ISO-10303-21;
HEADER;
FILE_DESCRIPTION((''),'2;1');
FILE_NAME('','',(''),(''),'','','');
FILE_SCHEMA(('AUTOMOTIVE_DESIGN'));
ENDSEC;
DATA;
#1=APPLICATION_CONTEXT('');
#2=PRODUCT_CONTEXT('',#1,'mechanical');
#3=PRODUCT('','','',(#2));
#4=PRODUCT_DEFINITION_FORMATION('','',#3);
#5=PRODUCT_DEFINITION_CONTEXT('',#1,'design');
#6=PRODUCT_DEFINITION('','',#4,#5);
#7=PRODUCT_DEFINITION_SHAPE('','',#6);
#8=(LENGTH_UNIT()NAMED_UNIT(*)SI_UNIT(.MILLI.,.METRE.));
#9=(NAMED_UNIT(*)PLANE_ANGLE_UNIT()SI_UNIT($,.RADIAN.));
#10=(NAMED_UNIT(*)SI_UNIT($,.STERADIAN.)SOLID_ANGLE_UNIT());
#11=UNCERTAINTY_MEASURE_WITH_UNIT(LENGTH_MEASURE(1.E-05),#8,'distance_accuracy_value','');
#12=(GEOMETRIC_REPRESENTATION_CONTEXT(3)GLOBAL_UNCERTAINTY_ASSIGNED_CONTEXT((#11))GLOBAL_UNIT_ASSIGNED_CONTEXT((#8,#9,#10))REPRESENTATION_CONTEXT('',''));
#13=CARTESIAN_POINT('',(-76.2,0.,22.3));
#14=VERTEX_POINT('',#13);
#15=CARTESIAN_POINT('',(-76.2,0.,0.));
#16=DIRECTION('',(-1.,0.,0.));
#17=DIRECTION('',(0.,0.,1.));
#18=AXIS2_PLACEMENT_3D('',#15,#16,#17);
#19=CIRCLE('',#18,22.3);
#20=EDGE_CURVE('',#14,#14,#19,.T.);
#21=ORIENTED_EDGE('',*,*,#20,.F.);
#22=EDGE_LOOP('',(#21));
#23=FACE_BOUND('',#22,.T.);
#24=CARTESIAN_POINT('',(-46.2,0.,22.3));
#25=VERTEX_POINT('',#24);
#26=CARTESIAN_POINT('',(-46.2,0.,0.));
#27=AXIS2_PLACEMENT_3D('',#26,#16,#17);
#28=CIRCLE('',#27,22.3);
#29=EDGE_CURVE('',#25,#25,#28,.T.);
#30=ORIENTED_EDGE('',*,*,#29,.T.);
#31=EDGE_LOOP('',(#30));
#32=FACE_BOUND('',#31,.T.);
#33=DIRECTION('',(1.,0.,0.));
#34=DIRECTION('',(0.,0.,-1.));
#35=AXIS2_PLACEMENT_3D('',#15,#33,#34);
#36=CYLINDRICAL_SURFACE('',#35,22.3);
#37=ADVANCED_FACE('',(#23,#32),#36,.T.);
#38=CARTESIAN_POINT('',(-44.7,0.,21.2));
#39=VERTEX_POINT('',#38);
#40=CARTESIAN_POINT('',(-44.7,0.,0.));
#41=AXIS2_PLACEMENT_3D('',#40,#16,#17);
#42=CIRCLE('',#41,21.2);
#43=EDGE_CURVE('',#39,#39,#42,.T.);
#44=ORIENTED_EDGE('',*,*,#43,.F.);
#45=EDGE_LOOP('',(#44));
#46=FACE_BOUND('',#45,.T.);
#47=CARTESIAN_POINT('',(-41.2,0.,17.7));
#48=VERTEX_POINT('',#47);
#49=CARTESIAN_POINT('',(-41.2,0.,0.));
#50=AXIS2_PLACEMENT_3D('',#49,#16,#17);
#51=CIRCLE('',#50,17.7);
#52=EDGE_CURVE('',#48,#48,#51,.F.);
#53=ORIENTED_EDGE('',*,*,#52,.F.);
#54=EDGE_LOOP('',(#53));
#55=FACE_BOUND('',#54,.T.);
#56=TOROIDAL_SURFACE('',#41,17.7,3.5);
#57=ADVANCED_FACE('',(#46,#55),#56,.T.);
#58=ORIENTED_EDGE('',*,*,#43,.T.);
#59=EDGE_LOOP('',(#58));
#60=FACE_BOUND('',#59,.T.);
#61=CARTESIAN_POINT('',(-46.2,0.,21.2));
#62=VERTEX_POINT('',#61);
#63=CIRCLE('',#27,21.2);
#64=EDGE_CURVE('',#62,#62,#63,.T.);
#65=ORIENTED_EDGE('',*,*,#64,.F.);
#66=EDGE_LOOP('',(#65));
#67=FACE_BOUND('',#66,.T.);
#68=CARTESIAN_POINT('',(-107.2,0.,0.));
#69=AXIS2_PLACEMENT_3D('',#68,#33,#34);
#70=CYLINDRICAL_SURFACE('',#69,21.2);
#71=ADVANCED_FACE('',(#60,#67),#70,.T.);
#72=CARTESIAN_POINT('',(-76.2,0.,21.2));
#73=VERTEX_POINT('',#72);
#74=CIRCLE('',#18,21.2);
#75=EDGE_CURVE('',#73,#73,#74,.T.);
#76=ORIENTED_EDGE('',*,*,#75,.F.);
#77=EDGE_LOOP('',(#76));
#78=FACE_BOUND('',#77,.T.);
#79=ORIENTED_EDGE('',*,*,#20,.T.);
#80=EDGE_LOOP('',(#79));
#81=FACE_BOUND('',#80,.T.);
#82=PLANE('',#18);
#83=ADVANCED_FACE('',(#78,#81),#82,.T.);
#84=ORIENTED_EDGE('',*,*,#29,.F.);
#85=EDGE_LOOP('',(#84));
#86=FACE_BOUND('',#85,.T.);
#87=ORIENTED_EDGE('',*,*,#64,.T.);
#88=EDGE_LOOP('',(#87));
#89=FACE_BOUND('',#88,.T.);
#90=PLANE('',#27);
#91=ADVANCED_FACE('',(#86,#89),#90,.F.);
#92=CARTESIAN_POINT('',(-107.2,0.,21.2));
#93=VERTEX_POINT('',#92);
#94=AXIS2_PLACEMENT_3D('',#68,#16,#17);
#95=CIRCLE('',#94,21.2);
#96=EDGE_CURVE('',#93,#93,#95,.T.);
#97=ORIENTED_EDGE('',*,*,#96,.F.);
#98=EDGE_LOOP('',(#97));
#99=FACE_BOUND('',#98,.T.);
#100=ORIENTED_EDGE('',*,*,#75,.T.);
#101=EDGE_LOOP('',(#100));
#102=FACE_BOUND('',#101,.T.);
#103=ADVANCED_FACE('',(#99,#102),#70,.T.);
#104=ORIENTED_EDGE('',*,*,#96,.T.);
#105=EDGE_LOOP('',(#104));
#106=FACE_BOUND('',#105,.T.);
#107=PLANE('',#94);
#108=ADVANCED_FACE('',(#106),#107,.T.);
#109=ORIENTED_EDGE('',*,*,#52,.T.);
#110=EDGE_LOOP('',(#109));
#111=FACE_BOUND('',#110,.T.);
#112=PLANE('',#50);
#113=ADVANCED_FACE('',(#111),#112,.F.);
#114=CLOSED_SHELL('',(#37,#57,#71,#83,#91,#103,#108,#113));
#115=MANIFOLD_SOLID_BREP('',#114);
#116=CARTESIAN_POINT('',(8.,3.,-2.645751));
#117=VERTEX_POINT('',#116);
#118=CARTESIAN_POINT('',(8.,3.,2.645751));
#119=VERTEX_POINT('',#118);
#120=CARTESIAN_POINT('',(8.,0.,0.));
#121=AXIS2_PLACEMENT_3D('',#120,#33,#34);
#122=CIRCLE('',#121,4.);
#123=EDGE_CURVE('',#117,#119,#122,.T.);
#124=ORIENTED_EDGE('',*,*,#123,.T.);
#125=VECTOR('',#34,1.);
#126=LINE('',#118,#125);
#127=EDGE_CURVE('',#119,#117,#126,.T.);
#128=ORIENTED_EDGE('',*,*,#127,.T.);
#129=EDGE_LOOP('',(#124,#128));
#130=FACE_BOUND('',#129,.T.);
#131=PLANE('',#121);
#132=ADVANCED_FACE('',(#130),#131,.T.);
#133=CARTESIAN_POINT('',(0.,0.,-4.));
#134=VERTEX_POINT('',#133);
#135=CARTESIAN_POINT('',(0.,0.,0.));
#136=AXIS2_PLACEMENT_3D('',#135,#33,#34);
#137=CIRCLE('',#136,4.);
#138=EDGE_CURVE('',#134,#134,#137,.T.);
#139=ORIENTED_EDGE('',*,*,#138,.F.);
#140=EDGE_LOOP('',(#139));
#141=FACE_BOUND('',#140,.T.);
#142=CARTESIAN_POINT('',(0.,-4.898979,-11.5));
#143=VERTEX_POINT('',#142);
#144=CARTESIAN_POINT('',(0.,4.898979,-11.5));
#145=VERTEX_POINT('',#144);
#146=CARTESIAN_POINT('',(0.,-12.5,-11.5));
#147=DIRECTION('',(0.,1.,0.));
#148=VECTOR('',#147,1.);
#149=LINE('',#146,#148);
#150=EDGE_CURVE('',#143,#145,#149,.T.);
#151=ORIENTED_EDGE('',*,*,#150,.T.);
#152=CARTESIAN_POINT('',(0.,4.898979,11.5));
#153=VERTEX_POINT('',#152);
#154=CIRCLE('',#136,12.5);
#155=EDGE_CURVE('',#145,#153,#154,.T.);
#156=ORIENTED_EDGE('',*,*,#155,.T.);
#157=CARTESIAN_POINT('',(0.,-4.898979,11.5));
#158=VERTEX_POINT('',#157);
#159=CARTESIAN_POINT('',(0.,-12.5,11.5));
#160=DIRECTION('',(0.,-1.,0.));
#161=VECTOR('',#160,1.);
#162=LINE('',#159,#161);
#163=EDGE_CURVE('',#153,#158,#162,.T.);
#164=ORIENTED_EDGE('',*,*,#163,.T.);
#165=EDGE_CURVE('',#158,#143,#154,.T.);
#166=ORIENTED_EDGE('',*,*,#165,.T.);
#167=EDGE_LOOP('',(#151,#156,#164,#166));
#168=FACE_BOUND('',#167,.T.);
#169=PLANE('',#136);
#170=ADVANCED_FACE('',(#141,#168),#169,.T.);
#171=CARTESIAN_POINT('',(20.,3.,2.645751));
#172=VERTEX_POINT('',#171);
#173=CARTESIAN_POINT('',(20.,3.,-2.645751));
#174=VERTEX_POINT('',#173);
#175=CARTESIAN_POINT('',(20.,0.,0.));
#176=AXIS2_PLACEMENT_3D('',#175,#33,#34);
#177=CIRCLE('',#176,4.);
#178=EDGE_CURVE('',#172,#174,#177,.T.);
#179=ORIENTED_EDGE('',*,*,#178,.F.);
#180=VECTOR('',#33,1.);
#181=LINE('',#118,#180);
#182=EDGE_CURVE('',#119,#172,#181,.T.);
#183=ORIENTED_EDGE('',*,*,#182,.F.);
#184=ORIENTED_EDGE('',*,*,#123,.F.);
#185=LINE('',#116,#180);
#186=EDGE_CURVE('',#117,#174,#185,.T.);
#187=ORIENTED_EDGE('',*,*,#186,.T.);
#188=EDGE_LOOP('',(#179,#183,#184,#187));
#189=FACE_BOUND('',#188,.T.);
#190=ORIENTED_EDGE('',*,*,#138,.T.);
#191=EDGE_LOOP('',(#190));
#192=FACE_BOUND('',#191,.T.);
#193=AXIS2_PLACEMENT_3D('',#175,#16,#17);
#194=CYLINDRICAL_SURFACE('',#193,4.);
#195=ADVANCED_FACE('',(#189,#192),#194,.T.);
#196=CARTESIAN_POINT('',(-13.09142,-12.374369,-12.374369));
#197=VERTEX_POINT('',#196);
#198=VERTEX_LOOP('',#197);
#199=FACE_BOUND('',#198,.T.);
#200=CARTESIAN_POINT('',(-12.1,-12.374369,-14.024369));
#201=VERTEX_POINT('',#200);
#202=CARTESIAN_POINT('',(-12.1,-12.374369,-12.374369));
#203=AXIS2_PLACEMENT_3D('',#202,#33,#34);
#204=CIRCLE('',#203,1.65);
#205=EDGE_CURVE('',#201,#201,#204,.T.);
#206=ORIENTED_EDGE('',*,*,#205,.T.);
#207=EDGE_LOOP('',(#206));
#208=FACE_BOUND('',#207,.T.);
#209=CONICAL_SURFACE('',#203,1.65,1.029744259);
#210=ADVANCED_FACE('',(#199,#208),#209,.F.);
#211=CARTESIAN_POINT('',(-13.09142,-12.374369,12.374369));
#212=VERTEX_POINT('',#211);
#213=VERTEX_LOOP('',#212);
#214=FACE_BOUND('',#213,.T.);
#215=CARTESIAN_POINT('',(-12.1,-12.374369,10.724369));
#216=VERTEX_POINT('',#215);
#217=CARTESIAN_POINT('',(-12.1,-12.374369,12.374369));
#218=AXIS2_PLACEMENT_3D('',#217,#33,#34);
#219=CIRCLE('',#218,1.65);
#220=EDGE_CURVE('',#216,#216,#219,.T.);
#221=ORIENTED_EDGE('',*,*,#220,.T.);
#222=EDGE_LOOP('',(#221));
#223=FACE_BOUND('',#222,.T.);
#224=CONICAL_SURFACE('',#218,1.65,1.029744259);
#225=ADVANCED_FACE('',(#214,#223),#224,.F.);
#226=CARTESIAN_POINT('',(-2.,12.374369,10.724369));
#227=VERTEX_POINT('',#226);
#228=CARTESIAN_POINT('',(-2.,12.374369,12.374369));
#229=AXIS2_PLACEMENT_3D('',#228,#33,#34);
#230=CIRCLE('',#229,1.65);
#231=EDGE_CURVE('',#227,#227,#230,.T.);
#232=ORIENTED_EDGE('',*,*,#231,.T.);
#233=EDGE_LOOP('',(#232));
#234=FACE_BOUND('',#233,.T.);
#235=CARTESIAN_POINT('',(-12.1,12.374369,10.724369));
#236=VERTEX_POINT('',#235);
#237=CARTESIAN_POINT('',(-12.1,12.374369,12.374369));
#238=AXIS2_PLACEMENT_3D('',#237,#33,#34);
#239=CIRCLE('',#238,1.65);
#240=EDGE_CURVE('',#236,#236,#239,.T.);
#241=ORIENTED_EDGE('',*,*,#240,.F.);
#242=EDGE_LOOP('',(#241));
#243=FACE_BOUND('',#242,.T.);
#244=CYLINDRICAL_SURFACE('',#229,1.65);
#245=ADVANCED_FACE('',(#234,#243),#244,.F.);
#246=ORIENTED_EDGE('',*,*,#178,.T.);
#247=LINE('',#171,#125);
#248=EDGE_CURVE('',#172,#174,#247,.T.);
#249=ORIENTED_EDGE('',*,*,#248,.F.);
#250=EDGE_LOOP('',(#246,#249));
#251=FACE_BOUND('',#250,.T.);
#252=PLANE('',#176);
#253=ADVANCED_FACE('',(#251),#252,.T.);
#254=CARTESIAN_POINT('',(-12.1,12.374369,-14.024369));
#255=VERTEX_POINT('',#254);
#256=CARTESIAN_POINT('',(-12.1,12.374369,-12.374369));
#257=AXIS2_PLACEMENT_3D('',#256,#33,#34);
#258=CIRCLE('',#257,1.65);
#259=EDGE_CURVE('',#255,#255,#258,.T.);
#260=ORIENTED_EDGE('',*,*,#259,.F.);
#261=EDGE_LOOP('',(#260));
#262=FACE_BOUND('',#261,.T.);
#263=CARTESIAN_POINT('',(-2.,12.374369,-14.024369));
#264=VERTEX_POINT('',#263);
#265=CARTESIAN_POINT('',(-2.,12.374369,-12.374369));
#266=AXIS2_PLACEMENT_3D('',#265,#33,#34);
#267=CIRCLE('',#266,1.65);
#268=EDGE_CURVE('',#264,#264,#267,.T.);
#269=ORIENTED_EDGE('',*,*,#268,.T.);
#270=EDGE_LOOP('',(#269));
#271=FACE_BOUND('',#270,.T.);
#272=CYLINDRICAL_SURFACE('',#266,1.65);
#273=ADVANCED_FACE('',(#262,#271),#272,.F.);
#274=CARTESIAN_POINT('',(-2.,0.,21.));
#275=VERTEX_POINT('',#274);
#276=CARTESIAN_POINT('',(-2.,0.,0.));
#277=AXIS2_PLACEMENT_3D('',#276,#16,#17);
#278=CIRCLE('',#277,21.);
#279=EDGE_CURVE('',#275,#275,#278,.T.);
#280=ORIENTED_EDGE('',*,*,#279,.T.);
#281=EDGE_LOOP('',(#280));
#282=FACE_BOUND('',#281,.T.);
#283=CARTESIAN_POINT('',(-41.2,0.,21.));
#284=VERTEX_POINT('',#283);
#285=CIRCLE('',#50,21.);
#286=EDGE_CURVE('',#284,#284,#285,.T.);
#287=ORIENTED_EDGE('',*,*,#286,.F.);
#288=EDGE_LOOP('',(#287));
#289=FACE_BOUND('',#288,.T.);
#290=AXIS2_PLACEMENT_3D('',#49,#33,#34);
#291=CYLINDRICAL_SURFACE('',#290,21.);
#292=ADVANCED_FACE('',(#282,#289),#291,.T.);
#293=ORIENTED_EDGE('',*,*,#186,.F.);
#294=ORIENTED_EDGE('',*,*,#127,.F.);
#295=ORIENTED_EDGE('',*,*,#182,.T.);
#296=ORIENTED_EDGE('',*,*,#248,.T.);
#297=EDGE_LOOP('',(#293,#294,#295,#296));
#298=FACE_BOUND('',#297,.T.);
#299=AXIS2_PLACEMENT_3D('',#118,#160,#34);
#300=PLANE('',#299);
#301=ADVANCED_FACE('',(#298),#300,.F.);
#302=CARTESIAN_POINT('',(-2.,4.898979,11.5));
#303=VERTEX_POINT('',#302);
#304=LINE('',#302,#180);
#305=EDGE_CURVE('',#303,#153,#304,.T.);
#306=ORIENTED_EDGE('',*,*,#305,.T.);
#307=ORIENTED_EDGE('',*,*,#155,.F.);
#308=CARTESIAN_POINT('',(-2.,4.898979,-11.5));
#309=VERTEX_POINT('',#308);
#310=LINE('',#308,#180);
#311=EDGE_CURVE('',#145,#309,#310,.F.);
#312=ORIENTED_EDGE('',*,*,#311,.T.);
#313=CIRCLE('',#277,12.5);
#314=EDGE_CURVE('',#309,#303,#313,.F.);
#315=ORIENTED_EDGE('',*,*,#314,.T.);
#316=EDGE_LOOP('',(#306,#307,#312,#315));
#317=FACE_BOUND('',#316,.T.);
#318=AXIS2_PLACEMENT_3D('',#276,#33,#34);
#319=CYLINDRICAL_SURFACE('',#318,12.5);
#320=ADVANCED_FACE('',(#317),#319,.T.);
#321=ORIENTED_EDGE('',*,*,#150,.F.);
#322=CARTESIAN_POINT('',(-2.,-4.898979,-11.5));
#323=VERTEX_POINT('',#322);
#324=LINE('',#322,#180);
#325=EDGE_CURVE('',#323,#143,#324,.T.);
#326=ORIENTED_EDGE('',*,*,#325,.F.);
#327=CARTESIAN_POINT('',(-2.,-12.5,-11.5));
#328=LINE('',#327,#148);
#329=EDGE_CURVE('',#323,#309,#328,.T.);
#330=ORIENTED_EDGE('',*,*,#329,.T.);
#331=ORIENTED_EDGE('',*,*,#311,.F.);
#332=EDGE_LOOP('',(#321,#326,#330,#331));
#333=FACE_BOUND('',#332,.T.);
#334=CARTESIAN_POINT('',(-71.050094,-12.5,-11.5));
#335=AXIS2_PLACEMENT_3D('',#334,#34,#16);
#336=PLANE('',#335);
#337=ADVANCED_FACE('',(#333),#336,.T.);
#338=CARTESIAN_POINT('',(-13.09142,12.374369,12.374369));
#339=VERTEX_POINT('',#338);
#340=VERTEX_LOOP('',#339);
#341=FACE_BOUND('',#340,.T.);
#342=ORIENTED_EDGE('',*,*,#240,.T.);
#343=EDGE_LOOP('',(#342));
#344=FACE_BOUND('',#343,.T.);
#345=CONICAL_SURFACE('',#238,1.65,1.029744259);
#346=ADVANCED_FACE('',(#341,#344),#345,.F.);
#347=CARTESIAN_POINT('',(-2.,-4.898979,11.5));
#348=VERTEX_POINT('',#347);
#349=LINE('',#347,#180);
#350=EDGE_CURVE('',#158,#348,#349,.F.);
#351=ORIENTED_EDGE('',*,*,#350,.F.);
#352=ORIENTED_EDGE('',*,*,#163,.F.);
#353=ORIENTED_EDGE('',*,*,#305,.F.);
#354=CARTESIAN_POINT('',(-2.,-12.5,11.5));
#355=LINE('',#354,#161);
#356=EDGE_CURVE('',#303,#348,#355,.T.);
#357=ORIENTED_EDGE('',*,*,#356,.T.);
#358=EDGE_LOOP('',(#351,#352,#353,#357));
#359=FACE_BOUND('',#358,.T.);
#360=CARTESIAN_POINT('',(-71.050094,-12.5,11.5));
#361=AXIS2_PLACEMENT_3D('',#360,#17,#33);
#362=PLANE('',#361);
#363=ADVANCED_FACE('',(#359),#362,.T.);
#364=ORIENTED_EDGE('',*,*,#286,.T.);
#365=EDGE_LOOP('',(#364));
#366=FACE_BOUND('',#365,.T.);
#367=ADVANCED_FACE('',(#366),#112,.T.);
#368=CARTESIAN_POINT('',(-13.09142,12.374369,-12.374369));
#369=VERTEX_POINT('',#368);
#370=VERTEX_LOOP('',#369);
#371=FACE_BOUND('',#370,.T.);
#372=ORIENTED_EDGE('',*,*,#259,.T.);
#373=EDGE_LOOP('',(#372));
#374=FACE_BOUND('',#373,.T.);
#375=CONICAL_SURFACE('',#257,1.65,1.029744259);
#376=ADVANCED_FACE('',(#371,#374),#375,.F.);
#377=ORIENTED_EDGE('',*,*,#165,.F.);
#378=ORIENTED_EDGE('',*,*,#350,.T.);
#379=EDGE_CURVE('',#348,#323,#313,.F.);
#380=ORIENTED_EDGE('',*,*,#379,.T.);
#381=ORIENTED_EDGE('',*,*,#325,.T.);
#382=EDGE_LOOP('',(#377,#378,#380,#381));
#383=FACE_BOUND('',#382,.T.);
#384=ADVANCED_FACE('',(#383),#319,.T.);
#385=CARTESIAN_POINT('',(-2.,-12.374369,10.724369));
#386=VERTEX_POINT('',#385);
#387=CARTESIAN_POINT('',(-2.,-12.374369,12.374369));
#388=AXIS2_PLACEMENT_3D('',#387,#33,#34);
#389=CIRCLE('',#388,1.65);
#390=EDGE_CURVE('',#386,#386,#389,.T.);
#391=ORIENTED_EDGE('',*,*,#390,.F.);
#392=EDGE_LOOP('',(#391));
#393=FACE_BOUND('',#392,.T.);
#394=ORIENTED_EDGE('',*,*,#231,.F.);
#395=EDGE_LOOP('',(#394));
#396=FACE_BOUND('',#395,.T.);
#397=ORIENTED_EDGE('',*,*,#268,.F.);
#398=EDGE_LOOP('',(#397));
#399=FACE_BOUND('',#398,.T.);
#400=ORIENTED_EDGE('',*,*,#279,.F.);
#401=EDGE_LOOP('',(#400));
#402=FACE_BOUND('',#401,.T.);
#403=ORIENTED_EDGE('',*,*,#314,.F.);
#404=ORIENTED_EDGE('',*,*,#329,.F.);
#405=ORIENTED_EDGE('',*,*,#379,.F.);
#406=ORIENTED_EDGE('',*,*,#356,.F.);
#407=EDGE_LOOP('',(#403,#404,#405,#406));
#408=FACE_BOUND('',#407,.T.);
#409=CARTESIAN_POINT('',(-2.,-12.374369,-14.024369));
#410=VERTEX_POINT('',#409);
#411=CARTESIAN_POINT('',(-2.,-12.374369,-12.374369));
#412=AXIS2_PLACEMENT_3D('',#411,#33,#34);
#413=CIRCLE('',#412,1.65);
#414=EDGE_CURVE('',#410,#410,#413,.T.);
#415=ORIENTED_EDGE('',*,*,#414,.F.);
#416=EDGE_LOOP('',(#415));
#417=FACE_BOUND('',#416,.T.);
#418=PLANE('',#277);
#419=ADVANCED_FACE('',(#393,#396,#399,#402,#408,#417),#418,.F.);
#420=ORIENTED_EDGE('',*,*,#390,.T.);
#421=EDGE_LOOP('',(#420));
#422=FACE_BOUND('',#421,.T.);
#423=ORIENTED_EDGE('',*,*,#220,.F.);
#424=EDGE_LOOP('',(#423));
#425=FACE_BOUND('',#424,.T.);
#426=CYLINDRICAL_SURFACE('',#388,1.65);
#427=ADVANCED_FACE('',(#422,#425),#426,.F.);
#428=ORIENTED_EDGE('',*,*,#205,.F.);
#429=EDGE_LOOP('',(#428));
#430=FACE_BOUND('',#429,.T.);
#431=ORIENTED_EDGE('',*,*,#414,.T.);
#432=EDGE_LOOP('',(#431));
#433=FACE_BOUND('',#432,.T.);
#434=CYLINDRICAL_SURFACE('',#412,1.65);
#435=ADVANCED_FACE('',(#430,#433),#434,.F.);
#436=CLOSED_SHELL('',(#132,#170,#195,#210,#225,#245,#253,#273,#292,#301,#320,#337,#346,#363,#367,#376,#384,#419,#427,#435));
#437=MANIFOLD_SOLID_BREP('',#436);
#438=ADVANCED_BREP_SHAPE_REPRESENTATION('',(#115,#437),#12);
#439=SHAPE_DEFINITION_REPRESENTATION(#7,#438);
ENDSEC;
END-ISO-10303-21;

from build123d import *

# Parameters (mm, degrees)
SKETCH1_R                = 12.5
BOSS_EXTRUDE1_DEPTH      = 2
SKETCH3_R                = 21
BOSS_EXTRUDE2_DEPTH      = 39.2
SKETCH5_R                = 21.2
BOSS_EXTRUDE3_DEPTH      = 66
FILLET1_R                = 3.5
BOSS_EXTRUDE4_START      = 5
SKETCH4_R                = 22.3
BOSS_EXTRUDE4_DEPTH      = 30
SKETCH6_R                = 4
BOSS_EXTRUDE5_DEPTH      = 20
SKETCH7_W                = 5.291502622
SKETCH7_H                = 2
CUT_EXTRUDE1_DEPTH       = 12
M4X0_7_M4X6DP_AT_2_COUNT = 2
M4X0_7_M4X6DP_AT_2_PITCH = 24.748737342
M4X0_7_M4X6DP_AT_3_COUNT = 2
M4X0_7_M4X6DP_AT_3_PITCH = 35
M4X0_7_M4X6DP_AT_4_COUNT = 2
M4X0_7_M4X6DP_AT_4_PITCH = 24.748737342
SKETCH11_OUTSIDE_W       = 74.996
SKETCH11_OUTSIDE_H       = 74.996
SKETCH11_OUTSIDE_W_2     = 23
SKETCH11_OUTSIDE_H_2     = 25
CUT_EXTRUDE2_DEPTH       = 2


with BuildPart() as part:
    # Sketch1 → Boss-Extrude1 (new body)
    with BuildSketch(Plane(origin=(0, 0, 0), x_dir=(0, 0, -1), z_dir=(1, 0, 0))):
        Circle(SKETCH1_R)
    extrude(amount=-BOSS_EXTRUDE1_DEPTH)

    # Sketch3 → Boss-Extrude2 (add)
    with BuildSketch(Plane.ZY.offset(2)):
        Circle(SKETCH3_R)
    extrude(amount=BOSS_EXTRUDE2_DEPTH)

    # Sketch6 → Boss-Extrude5 (add)
    with BuildSketch(Plane(origin=(0, 0, 0), x_dir=(0, 0, -1), z_dir=(1, 0, 0))):
        Circle(SKETCH6_R)
    extrude(amount=BOSS_EXTRUDE5_DEPTH)

    # Sketch7 → Cut-Extrude1 (cut)
    with BuildSketch(Plane(origin=(20, 0, 0), x_dir=(0, 0, -1), z_dir=(1, 0, 0))):
        with Locations((0, 4)):
            Rectangle(SKETCH7_W, SKETCH7_H)
    extrude(amount=-CUT_EXTRUDE1_DEPTH, mode=Mode.SUBTRACT)

    # Sketch10 → M4x0.7 "M4x6DP" (revolve, cut)
    with BuildSketch(Plane(origin=(-2, 12.374368671, 12.374368671), x_dir=(0, 0, -1), z_dir=(0, 1, 0))):
        Polygon((0, 0), (0, 11.091420021), (1.65, 10.1), (1.65, 0), align=None)
    m4x0_7_m4x6dp = revolve(axis=Axis((4.35, 12.374368671, 12.374368671), (-1, 0, 0)), mode=Mode.SUBTRACT)

    # M4x0.7 "M4x6DP" at 2: M4x0.7 "M4x6DP" ×2
    with Locations(*[(0, 0, -i * M4X0_7_M4X6DP_AT_2_PITCH) for i in range(1, M4X0_7_M4X6DP_AT_2_COUNT)]):
        add(m4x0_7_m4x6dp, mode=Mode.SUBTRACT)

    # M4x0.7 "M4x6DP" at 3: M4x0.7 "M4x6DP" ×2
    with Locations(*[Vector(0, -0.7071067811865476, -0.7071067811865476) * (i * M4X0_7_M4X6DP_AT_3_PITCH) for i in range(1, M4X0_7_M4X6DP_AT_3_COUNT)]):
        add(m4x0_7_m4x6dp, mode=Mode.SUBTRACT)

    # M4x0.7 "M4x6DP" at 4: M4x0.7 "M4x6DP" ×2
    with Locations(*[(0, -i * M4X0_7_M4X6DP_AT_4_PITCH, 0) for i in range(1, M4X0_7_M4X6DP_AT_4_COUNT)]):
        add(m4x0_7_m4x6dp, mode=Mode.SUBTRACT)

    # Sketch11 outside → Cut-Extrude2 (cut)
    with BuildSketch(Plane(origin=(0, 0, 0), x_dir=(0, 0, -1), z_dir=(1, 0, 0))):
        Rectangle(SKETCH11_OUTSIDE_W, SKETCH11_OUTSIDE_H)
        Rectangle(SKETCH11_OUTSIDE_W_2, SKETCH11_OUTSIDE_H_2, mode=Mode.SUBTRACT)
    extrude(amount=-CUT_EXTRUDE2_DEPTH, mode=Mode.SUBTRACT)


with BuildPart() as body_2:
    # Sketch5 → Boss-Extrude3 (new body)
    with BuildSketch(Plane.ZY.offset(41.2)):
        Circle(SKETCH5_R)
    extrude(amount=BOSS_EXTRUDE3_DEPTH)

    # Fillet1
    fillet1_edges = [body_2.edges().sort_by_distance(p)[0] for p in [
        (-41.2, 0, -21.2),
    ]]
    fillet(fillet1_edges, radius=FILLET1_R)

    # Sketch4 → Boss-Extrude4 (add)
    with BuildSketch(Plane.ZY.offset(41.2).offset(BOSS_EXTRUDE4_START)):
        Circle(SKETCH4_R)
    extrude(amount=BOSS_EXTRUDE4_DEPTH)


solid = Compound([part.part, body_2.part])
